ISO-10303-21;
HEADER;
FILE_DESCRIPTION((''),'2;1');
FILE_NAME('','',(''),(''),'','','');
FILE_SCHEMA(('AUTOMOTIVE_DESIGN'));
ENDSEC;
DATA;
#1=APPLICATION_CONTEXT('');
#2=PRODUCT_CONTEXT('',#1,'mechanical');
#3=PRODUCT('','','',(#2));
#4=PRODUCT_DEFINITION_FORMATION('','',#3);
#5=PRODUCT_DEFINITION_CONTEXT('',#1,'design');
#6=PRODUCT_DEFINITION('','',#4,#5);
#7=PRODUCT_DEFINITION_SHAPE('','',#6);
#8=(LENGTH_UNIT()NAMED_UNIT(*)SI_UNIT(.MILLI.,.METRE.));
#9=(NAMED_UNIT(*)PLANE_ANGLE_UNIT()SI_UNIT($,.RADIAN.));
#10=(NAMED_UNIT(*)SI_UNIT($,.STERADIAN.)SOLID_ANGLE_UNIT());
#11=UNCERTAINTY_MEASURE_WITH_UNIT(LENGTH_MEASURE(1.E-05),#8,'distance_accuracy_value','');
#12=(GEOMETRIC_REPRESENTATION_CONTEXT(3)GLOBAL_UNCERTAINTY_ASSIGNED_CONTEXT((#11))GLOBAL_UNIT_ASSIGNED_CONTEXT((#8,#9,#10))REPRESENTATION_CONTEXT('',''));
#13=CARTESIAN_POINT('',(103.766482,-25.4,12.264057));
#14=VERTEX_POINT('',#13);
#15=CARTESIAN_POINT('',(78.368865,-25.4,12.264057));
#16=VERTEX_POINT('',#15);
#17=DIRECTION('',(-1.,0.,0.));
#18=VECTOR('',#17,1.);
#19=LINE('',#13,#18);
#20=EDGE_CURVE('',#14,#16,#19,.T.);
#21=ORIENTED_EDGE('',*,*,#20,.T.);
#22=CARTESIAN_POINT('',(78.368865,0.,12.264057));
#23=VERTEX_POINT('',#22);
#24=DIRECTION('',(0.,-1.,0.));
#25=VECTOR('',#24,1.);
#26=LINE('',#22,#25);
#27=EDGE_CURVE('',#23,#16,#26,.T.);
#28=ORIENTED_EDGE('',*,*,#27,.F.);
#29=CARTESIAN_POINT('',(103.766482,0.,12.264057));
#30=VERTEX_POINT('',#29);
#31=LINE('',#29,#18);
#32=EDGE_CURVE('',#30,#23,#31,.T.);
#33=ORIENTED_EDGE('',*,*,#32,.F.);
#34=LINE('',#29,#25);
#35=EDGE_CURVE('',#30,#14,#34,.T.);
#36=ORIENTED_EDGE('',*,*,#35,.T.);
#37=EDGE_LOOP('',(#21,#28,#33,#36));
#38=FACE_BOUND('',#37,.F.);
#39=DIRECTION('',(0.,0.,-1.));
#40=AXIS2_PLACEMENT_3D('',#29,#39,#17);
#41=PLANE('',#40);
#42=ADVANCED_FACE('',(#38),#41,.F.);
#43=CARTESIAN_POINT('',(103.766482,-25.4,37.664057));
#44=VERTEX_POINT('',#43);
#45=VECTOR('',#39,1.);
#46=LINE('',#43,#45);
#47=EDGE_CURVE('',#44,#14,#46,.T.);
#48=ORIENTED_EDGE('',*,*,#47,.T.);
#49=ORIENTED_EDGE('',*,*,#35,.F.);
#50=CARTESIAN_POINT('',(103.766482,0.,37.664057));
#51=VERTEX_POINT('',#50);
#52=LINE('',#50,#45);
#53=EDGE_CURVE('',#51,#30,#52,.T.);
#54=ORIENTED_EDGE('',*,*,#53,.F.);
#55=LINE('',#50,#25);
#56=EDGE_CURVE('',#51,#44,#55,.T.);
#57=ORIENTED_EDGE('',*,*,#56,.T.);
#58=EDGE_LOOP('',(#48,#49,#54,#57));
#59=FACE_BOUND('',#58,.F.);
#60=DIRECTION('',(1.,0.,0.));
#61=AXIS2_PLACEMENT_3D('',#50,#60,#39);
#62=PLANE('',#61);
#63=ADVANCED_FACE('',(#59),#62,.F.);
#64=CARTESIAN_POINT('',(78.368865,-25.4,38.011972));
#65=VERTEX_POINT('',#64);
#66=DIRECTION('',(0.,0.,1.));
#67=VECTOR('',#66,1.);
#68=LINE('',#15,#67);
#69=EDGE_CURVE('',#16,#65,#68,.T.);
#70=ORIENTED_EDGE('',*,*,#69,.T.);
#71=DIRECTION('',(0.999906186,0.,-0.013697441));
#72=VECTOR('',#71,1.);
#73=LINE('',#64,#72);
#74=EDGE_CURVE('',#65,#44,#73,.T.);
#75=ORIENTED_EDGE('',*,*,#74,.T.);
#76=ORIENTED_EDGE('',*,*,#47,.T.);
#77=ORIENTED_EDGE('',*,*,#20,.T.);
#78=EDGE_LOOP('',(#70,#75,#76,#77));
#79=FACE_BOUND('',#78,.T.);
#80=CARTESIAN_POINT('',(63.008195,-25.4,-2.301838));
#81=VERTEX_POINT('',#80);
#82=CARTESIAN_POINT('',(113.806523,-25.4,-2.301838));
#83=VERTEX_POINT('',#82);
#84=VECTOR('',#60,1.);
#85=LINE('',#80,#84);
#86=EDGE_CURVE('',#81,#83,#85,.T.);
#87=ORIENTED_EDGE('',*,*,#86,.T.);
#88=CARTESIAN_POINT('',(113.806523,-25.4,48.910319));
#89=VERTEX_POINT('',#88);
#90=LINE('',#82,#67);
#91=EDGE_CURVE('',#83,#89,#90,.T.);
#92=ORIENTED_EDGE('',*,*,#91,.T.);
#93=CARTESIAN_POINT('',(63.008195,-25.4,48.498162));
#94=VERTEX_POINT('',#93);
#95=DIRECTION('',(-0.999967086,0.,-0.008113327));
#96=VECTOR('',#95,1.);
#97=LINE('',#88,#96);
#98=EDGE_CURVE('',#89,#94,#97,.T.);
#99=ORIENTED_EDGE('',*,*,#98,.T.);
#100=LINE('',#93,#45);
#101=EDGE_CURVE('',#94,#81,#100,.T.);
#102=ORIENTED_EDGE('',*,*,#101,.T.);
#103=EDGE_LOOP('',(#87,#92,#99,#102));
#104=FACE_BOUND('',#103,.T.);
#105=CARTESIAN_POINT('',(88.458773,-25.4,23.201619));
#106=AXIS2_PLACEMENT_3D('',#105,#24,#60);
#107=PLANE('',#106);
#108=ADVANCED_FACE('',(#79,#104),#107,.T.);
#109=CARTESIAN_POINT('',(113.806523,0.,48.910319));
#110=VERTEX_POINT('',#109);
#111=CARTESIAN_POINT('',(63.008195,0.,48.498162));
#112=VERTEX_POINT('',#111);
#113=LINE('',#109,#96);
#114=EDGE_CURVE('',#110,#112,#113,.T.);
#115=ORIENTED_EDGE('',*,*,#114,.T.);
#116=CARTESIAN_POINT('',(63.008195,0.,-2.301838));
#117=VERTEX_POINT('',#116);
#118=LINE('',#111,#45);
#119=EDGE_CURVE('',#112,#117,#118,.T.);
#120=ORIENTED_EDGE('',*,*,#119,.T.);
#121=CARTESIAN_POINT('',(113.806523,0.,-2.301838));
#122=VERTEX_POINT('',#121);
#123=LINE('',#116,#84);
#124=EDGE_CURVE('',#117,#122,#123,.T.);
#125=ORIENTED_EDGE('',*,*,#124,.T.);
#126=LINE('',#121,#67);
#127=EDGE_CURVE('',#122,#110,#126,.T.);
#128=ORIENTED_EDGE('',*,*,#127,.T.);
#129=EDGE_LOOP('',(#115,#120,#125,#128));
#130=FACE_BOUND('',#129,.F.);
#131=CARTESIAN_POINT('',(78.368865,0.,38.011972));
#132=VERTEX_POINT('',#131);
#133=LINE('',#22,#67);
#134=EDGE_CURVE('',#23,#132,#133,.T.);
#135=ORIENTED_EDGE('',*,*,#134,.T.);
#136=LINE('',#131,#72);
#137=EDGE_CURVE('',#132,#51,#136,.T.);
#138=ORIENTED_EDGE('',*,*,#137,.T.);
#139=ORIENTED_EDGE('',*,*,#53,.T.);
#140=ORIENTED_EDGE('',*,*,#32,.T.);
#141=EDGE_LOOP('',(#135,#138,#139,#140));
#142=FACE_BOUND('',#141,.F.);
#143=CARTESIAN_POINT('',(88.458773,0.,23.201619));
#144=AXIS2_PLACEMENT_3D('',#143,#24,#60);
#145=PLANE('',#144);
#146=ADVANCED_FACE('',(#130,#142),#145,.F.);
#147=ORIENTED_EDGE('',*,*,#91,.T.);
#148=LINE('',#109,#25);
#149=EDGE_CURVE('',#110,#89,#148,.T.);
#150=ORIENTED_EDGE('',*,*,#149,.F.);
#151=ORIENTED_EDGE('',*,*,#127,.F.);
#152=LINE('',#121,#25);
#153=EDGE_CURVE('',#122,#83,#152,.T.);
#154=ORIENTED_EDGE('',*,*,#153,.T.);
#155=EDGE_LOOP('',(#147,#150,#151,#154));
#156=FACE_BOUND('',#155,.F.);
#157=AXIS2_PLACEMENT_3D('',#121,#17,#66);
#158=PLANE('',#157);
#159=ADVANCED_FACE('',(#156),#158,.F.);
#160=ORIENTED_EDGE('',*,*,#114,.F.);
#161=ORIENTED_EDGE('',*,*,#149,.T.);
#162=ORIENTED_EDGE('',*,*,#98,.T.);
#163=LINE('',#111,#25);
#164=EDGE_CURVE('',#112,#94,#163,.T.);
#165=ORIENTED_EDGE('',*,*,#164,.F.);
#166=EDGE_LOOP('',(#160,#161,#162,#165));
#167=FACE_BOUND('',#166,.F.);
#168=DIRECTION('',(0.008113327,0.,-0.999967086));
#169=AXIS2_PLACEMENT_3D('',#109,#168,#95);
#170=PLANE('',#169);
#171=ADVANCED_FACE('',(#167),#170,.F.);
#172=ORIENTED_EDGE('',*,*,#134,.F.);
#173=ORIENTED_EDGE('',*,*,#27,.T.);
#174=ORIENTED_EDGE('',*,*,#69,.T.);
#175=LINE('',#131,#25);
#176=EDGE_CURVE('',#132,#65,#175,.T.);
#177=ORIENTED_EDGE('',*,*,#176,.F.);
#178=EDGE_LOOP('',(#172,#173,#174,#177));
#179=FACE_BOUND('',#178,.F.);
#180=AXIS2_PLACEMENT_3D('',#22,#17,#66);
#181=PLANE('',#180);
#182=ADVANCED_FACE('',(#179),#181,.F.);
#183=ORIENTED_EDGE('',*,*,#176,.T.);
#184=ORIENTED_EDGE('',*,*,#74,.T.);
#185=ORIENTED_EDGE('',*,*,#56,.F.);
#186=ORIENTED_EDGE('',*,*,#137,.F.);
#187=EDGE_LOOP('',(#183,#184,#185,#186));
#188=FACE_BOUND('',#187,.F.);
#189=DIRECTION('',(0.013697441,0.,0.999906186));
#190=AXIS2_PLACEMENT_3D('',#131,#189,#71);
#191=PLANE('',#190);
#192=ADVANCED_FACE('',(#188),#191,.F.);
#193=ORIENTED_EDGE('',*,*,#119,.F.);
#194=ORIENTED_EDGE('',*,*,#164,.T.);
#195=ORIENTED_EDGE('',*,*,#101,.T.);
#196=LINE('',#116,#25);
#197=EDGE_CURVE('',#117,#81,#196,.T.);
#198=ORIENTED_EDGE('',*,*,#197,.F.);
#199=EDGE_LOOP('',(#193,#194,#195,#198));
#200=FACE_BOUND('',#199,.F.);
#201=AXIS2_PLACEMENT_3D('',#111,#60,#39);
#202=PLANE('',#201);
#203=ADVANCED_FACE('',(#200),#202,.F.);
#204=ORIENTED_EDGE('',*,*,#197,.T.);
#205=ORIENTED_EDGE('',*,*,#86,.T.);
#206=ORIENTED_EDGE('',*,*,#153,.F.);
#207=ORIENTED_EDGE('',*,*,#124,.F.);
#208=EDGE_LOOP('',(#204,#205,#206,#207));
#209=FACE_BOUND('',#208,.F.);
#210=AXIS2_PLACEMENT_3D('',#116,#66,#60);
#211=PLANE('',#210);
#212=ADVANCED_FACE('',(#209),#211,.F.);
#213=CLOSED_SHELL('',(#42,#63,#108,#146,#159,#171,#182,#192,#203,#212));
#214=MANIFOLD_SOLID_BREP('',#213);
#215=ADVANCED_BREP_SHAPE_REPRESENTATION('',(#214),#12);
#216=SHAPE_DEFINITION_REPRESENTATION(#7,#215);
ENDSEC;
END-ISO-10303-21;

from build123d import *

# Parameters (mm, degrees)
F1_DEPTH = 25.4


with BuildPart() as f1:
    # F0 (on Front) → F1 (new body)
    with BuildSketch(Plane.XZ):
        Polygon((113.806523, 48.910319), (63.008195, 48.498162), (63.008195, -2.301838), (113.806523, -2.301838), align=None)
        Polygon((78.368865, 12.264057), (78.368865, 38.011972), (103.766482, 37.664057), (103.766482, 12.264057), align=None, mode=Mode.SUBTRACT)
    extrude(amount=F1_DEPTH)


solid = f1.part
